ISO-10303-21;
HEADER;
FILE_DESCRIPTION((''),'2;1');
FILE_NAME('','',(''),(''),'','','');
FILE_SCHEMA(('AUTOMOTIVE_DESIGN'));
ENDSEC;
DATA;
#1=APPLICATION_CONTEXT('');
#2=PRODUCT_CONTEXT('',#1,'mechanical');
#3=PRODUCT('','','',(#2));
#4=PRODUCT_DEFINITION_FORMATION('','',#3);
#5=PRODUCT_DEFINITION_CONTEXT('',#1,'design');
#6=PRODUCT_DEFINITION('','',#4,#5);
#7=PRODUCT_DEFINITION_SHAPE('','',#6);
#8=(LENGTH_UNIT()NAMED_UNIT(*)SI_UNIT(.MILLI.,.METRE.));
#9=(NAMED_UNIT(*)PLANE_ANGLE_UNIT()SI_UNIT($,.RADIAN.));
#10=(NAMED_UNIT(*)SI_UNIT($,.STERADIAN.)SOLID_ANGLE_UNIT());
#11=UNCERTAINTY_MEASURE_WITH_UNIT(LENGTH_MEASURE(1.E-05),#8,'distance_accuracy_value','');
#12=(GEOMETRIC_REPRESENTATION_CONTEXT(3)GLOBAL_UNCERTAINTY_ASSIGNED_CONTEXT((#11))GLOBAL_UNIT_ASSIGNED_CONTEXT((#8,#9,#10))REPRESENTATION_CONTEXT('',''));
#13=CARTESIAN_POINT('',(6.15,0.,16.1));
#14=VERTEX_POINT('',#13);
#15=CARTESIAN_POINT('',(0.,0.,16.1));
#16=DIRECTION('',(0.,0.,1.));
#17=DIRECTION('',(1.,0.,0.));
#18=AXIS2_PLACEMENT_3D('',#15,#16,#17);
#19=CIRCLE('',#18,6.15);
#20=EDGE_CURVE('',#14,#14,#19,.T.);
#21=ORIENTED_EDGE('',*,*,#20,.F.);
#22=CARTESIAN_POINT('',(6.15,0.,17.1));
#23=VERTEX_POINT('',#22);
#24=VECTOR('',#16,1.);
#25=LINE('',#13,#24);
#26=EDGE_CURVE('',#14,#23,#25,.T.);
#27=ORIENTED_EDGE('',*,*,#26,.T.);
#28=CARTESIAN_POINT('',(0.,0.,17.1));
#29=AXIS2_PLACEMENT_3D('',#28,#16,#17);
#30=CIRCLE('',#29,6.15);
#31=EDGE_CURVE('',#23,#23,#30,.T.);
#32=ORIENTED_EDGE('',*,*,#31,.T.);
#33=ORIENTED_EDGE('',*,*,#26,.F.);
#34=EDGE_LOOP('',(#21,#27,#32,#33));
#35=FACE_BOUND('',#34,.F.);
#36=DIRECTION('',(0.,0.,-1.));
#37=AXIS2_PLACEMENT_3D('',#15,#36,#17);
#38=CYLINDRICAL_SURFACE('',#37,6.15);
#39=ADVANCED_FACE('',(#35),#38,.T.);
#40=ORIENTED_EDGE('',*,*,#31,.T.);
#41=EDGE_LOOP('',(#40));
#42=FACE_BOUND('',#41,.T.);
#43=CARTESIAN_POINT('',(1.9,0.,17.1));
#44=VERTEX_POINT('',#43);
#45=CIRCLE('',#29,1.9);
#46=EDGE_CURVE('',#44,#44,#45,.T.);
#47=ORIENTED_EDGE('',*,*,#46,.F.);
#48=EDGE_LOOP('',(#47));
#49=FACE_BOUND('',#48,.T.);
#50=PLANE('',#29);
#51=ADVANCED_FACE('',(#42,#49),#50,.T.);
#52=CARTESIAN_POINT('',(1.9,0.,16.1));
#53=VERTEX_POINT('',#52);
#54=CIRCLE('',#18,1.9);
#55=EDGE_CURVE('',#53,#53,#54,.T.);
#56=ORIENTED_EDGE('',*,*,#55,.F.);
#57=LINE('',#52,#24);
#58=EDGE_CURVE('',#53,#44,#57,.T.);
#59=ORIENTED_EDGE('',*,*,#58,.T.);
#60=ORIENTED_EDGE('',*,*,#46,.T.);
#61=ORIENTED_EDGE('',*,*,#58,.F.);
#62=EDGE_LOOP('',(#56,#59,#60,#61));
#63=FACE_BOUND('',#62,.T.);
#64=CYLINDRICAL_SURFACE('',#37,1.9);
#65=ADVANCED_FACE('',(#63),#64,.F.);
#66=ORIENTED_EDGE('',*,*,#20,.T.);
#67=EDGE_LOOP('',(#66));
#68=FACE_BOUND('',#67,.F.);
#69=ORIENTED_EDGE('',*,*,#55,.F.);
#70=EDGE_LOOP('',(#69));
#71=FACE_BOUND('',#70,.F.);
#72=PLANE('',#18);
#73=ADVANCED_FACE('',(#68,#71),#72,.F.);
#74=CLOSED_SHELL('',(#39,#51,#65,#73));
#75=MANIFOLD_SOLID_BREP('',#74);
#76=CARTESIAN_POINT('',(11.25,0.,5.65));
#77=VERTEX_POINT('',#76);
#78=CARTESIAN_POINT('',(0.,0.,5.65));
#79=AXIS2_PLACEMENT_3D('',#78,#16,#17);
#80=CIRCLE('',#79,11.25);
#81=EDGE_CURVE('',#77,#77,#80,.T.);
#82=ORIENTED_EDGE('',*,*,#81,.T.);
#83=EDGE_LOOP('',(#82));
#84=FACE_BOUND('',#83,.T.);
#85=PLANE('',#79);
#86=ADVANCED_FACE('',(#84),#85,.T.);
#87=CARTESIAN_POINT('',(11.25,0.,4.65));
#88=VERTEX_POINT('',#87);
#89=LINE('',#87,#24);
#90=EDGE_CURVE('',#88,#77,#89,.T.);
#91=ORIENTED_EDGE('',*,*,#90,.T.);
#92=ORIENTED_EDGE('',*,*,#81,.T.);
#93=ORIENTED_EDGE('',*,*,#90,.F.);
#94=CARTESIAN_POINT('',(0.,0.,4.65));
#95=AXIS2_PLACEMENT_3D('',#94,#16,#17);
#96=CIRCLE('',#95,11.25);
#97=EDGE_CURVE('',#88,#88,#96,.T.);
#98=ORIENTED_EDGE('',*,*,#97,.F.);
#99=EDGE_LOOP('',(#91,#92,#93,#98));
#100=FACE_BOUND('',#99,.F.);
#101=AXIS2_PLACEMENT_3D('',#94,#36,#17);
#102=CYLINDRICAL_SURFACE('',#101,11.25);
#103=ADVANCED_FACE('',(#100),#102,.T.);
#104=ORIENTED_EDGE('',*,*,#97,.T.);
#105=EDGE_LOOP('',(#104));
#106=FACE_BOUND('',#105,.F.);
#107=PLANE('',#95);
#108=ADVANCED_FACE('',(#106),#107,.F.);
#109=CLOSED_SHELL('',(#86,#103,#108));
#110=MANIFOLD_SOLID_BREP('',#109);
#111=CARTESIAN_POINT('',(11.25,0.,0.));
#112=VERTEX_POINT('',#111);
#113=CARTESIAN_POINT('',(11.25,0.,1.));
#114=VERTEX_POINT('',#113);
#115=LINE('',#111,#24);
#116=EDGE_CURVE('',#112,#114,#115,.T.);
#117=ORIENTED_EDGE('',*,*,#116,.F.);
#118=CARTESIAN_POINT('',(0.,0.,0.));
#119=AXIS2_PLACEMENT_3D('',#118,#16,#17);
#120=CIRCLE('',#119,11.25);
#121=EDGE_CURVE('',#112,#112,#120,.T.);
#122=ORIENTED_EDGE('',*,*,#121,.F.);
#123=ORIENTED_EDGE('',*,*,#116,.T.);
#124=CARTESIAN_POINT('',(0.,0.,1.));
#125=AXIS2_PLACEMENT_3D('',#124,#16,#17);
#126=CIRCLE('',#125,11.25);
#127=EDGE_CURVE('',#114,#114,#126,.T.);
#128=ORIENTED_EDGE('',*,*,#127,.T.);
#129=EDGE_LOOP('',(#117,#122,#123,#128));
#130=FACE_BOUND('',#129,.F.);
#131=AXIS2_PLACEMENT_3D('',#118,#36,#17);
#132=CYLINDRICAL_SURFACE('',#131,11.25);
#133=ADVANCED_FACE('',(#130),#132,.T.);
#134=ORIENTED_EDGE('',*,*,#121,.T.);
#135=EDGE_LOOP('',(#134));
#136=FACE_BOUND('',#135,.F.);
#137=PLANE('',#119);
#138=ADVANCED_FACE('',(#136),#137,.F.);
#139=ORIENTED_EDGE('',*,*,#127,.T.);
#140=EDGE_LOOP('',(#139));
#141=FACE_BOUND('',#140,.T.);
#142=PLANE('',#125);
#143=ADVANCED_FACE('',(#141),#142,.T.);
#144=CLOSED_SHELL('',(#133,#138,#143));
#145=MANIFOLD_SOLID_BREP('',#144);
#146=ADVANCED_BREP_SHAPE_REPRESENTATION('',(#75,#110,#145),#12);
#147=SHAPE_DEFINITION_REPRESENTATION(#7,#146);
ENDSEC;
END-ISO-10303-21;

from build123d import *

# Parameters (mm, degrees)
F0_R     = 11.25
F1_DEPTH = 1
F3_R     = 11.25
F4_DEPTH = 1
F6_R     = 6.15
F6_R_2   = 1.9
F7_DEPTH = 1


with BuildPart() as f1:
    # F0 (on Top) → F1 (new body)
    with BuildSketch(Plane.XY):
        Circle(F0_R)
    extrude(amount=F1_DEPTH)


with BuildPart() as f4:
    # F3 (on offset) → F4 (new body)
    with BuildSketch(Plane.XY.offset(4.65)):
        Circle(F3_R)
    extrude(amount=F4_DEPTH)


with BuildPart() as f7:
    # F6 (on offset) → F7 (new body)
    with BuildSketch(Plane.XY.offset(16.1)):
        Circle(F6_R)
        Circle(F6_R_2, mode=Mode.SUBTRACT)
    extrude(amount=F7_DEPTH)


solid = Compound([f1.part, f4.part, f7.part])
